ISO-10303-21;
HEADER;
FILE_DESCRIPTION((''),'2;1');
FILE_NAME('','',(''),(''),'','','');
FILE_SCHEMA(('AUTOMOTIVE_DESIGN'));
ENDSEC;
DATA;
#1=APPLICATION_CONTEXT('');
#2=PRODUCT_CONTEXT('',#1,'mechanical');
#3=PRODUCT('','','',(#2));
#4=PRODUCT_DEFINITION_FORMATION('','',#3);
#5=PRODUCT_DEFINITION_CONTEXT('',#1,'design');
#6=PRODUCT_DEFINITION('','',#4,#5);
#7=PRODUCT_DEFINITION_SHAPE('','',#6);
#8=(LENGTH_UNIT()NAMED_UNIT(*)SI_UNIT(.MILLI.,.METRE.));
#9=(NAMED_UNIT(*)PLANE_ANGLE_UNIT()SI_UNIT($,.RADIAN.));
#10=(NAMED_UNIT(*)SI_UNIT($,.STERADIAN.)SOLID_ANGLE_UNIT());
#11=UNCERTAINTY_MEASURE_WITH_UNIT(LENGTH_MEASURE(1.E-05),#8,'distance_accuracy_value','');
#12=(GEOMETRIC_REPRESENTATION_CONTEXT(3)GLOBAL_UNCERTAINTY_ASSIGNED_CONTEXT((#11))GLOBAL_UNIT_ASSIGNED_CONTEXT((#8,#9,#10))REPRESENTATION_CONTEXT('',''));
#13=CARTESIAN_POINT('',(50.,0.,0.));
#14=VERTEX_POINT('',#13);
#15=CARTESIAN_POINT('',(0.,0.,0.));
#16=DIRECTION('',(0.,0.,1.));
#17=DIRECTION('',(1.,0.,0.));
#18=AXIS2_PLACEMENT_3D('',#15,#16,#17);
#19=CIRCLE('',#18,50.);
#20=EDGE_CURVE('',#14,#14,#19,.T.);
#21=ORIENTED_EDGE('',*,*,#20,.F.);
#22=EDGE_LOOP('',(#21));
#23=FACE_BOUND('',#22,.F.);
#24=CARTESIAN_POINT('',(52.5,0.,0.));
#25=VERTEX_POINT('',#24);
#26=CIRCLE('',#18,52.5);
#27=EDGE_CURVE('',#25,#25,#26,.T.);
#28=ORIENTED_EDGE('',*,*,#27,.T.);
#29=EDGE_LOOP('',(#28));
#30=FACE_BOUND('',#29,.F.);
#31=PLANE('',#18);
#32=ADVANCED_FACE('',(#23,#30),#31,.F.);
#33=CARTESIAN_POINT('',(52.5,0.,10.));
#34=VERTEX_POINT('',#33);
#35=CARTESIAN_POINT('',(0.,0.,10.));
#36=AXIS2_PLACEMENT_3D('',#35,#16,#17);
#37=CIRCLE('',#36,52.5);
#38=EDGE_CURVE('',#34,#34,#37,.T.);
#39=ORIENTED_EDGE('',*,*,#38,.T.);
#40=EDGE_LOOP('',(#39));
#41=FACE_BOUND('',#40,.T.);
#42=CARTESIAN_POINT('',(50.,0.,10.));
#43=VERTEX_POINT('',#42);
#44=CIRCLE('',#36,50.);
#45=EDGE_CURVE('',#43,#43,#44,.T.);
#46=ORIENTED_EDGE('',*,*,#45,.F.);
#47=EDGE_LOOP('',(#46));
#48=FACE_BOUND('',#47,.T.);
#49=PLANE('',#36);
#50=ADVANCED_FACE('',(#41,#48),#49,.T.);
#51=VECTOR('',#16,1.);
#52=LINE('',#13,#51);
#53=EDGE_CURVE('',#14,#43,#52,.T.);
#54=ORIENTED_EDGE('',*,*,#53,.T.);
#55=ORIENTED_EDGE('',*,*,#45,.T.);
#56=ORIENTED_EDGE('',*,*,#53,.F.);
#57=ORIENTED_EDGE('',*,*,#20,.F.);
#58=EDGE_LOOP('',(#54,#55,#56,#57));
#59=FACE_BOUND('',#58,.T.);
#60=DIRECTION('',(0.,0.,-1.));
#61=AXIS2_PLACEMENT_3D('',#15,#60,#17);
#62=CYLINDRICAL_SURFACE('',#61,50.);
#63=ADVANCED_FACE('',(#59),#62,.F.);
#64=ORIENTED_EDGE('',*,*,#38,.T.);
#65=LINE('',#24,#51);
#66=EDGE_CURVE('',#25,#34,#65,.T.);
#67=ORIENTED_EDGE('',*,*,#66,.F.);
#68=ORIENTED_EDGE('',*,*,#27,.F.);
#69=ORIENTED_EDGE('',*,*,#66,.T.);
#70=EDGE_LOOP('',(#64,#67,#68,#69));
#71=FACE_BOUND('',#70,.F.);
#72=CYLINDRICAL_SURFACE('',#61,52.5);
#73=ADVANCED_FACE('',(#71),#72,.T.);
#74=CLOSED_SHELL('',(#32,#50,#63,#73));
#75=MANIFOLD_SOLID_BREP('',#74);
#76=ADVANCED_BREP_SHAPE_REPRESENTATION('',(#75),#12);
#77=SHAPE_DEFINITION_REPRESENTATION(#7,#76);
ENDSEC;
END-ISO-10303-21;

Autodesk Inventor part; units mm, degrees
ref_plane "YZ Plane" through (0, 0, 0) normal (1, 0, 0) x (0, 1, 0)
ref_plane "XZ Plane" through (0, 0, 0) normal (0, 1, 0) x (-1, 0, 0)
ref_plane "XY Plane" through (0, 0, 0) normal (0, 0, 1) x (1, 0, 0)
sketch "草圖1" plane through (0, 0, 0) normal (0, 0, 1) x (1, 0, 0)
  circle A0 centre (0, 0) radius 50
  circle A1 centre (0, 0) radius 52.5
  dimension "d0" = 100
  dimension "d1" = 105
extrude "擠出1" add sketch "草圖1" along normal blind 10
properties part number "t1"
